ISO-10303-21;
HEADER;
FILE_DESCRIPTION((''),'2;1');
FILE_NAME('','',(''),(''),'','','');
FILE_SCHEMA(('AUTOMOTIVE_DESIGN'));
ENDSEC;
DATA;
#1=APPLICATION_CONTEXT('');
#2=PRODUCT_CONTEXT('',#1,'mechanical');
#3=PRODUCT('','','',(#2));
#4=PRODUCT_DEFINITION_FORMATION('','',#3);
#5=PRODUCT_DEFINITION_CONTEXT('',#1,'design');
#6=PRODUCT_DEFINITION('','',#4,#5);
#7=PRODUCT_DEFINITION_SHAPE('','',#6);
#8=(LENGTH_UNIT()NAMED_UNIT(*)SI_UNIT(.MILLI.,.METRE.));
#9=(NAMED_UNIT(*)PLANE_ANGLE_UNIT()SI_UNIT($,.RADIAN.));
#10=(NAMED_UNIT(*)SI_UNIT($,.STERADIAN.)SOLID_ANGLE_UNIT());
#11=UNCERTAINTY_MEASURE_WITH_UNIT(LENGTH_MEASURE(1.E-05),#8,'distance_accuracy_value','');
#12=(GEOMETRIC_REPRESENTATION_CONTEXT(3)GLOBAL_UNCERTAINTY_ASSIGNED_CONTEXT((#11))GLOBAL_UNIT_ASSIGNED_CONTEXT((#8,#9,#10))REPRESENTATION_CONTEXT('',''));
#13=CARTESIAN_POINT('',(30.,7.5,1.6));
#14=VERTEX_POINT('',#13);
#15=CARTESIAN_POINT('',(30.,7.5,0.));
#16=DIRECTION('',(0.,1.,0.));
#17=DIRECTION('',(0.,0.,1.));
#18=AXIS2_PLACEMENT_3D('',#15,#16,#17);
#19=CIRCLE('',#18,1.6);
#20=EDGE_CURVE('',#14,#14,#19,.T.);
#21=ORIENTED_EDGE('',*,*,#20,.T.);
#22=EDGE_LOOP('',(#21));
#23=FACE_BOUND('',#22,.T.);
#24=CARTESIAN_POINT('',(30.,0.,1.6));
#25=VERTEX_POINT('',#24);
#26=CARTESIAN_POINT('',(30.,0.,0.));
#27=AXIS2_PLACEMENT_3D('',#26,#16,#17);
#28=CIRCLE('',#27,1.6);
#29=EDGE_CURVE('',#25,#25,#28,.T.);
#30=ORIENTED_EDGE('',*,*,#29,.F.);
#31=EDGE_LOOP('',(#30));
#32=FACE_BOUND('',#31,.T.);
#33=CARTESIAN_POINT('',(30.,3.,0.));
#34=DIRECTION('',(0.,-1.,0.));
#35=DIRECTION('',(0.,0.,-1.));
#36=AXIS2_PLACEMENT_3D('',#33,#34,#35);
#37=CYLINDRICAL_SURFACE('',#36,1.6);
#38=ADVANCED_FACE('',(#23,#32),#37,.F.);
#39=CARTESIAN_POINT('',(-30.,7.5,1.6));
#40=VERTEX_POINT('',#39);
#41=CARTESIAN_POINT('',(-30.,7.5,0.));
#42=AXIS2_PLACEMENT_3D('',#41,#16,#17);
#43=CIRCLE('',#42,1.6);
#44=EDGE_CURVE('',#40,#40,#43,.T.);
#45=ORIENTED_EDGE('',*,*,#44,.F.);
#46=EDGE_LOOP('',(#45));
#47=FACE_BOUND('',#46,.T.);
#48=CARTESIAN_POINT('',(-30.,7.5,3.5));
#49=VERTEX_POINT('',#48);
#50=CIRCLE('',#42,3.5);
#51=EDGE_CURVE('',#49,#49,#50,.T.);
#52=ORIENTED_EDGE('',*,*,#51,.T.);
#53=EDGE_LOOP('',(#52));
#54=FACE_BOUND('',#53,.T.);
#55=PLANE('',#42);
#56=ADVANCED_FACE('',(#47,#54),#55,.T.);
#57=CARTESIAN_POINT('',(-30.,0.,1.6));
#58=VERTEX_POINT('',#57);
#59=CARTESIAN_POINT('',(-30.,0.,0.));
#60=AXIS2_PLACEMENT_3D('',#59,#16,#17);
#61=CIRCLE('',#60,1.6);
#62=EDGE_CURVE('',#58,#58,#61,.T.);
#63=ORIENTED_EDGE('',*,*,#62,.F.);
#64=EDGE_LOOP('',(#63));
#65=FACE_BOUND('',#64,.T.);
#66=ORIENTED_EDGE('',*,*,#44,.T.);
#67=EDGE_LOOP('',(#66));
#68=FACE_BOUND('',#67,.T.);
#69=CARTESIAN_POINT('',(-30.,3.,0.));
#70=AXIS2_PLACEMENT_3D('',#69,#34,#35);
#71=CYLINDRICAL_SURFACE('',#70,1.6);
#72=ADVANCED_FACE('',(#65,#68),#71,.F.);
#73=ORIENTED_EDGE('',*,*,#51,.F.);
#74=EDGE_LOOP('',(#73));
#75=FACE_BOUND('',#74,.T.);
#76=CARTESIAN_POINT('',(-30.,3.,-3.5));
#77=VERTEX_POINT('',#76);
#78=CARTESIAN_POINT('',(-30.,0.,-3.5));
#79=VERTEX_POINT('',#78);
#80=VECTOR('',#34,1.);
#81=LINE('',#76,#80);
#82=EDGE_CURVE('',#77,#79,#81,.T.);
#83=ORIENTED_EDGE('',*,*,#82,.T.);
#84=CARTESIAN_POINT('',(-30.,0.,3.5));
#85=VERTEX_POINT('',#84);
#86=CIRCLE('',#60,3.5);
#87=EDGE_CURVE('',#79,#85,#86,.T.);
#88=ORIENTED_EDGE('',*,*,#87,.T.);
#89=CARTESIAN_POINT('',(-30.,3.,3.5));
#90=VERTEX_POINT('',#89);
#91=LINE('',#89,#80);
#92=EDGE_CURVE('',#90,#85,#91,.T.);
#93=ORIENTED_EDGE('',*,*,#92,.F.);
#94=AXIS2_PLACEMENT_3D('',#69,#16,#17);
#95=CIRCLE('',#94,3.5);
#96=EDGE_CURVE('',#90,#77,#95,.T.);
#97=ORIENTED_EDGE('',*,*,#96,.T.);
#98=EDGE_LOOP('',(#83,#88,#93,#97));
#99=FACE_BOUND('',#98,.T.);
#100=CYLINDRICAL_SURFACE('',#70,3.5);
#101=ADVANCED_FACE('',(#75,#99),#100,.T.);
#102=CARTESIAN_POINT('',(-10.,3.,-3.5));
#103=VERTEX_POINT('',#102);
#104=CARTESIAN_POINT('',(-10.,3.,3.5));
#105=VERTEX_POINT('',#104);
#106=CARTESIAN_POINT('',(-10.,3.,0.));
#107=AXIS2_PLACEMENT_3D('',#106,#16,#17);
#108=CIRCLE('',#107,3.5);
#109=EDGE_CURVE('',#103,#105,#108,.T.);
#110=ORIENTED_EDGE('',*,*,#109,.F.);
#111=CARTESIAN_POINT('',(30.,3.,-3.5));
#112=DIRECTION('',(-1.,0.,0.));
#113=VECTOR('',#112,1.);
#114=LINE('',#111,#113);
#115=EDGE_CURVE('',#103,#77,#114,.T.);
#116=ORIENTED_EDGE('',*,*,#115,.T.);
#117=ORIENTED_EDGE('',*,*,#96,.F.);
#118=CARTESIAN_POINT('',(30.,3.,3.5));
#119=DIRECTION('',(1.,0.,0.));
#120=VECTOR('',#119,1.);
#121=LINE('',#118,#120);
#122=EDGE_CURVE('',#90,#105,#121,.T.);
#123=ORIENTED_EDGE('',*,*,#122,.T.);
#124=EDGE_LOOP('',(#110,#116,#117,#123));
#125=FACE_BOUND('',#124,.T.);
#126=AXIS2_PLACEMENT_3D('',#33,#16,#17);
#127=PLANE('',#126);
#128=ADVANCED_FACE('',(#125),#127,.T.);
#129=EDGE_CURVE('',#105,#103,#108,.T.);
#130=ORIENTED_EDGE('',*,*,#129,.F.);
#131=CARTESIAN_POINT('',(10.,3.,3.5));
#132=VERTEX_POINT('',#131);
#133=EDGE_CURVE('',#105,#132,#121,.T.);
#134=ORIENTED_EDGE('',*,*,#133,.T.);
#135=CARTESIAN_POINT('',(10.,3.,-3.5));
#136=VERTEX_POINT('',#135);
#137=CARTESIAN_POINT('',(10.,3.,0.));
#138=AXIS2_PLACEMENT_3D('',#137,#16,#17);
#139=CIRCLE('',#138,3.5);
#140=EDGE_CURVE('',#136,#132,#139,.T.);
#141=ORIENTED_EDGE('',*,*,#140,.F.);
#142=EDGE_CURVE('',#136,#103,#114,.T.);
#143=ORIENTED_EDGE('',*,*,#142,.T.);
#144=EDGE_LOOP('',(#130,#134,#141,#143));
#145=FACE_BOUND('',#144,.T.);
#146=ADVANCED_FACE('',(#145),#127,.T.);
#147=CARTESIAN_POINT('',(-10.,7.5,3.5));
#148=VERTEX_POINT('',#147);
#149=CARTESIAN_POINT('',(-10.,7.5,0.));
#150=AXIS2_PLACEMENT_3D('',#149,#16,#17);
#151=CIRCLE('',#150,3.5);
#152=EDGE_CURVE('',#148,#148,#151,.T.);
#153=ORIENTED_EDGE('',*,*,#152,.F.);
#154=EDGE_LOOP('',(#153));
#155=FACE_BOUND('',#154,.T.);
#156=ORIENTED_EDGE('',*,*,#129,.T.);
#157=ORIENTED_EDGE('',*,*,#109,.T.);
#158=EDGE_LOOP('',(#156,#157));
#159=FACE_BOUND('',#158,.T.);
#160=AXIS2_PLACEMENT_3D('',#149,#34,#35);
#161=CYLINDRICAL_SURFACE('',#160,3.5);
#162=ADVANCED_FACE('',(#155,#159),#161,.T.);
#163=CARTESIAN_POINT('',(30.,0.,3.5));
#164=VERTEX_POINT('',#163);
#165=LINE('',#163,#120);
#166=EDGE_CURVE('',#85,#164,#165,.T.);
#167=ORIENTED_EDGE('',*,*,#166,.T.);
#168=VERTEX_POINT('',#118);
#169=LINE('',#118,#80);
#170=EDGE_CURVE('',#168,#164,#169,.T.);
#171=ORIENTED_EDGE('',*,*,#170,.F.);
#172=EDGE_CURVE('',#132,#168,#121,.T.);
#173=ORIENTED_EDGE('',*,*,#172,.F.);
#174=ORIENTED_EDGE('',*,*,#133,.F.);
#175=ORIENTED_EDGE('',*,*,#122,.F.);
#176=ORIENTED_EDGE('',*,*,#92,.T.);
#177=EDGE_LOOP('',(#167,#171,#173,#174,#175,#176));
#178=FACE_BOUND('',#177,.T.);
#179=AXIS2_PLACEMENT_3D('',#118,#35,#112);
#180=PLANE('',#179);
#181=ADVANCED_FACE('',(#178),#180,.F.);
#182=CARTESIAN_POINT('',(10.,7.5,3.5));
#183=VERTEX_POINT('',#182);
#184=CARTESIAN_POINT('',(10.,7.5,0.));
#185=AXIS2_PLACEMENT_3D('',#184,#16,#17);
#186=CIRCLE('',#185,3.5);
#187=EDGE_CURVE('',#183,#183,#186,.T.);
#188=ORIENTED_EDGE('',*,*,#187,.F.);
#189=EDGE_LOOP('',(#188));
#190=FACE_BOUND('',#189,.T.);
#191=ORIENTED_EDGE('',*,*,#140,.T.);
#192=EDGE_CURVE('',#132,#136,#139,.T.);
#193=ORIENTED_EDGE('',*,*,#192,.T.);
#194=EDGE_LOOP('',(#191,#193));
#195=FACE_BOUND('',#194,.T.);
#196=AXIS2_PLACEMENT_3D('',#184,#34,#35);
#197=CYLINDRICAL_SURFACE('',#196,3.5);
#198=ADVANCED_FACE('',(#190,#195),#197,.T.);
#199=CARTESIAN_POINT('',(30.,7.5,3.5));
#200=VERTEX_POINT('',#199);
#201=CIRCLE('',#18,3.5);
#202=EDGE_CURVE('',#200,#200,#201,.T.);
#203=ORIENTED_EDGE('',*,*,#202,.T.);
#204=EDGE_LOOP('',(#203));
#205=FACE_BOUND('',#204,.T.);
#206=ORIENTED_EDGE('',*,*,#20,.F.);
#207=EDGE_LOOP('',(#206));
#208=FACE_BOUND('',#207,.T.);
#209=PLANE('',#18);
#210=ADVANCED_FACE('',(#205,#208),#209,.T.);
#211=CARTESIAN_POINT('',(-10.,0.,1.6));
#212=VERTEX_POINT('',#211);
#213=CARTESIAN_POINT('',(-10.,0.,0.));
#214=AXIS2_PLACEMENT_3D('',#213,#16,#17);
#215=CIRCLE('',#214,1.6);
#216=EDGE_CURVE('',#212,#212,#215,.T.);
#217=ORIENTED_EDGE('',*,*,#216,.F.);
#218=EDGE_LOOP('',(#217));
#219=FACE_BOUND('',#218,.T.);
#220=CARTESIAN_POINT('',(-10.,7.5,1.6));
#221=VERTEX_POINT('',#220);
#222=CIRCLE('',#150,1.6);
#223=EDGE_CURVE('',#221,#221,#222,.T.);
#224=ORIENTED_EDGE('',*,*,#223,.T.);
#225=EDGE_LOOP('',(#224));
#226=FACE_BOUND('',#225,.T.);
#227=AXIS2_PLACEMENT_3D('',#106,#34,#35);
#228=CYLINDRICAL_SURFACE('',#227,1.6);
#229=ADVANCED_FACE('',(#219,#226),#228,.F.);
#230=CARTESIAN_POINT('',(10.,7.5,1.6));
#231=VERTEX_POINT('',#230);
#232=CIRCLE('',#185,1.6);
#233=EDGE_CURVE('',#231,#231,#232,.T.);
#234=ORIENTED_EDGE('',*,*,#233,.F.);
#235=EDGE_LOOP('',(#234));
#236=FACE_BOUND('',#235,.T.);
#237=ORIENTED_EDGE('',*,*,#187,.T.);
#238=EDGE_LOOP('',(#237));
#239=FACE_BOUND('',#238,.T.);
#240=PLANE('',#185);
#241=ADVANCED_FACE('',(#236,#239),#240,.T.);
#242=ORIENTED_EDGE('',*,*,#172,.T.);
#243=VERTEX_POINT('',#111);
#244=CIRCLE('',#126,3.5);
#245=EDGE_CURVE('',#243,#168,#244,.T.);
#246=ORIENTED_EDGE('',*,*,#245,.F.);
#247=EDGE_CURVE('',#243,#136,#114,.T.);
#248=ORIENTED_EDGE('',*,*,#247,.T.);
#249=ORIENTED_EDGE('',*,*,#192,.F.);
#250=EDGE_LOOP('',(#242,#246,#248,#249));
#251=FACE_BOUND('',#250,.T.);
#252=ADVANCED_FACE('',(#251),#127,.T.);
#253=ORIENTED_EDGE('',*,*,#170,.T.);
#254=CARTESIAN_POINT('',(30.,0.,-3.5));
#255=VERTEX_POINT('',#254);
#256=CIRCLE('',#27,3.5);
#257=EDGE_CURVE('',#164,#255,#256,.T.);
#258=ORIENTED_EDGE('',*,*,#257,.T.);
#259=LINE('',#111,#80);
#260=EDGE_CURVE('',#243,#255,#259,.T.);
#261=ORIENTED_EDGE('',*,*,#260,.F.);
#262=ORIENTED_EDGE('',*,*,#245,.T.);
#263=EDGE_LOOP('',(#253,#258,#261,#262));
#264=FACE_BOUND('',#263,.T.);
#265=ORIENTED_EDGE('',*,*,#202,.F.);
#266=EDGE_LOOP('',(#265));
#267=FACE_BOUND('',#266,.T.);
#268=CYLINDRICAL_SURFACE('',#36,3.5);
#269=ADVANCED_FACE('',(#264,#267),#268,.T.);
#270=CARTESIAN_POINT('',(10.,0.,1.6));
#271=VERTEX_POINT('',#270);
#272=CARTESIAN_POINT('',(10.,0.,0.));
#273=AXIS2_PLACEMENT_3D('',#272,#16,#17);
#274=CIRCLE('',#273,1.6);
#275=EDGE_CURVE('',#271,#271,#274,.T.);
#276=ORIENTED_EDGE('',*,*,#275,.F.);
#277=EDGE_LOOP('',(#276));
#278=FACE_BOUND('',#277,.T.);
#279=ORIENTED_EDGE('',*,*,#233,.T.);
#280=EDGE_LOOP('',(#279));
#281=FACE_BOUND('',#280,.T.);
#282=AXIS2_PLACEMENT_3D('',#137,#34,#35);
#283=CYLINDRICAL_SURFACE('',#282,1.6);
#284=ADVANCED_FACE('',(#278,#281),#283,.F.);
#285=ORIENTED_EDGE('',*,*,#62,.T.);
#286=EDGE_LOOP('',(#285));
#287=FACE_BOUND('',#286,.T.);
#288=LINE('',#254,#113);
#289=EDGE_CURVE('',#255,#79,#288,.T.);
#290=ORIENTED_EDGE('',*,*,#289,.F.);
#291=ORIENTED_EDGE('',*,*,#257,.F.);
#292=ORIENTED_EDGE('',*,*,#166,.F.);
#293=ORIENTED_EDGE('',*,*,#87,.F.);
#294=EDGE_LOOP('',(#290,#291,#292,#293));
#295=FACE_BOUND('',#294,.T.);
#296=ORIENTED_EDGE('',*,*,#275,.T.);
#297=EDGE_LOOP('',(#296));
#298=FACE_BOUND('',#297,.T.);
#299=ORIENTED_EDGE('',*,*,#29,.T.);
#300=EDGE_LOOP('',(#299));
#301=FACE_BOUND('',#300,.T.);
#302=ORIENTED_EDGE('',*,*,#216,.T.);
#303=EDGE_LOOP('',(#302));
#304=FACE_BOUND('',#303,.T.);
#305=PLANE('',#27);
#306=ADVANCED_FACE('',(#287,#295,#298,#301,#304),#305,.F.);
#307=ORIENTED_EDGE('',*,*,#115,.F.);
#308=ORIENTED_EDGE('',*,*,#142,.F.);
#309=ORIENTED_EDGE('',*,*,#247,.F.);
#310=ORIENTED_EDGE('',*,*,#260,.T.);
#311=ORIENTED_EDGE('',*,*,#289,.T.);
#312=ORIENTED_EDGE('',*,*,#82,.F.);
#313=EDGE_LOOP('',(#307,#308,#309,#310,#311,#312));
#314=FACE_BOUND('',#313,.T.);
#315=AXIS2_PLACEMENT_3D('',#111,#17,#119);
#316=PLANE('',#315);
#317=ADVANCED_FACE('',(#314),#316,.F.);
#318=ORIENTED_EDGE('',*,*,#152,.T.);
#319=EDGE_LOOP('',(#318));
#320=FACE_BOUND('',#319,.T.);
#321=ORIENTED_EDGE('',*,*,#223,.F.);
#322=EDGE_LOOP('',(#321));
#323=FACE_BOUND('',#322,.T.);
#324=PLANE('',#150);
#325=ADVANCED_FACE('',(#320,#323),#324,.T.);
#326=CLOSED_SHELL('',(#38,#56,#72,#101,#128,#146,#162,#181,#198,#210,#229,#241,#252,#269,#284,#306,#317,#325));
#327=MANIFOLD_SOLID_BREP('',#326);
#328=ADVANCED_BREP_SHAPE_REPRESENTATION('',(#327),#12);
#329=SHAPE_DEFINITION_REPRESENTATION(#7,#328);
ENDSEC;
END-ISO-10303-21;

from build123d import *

# Parameters (mm, degrees)
SKETCH1_R           = 1.6
BOSS_EXTRUDE1_DEPTH = 3
SKETCH2_R           = 3.5
SKETCH2_R_2         = 1.6
BOSS_EXTRUDE2_DEPTH = 4.5


with BuildPart() as part:
    # Sketch1 → Boss-Extrude1 (new body)
    with BuildSketch(Plane(origin=(0, 0, 0), x_dir=(1, 0, 0), z_dir=(0, 1, 0))):
        with BuildLine():
            Line((30, -3.5), (-30, -3.5))
            ThreePointArc((-30, -3.5), (-33.5, 0), (-30, 3.5))
            Line((-30, 3.5), (30, 3.5))
            ThreePointArc((30, 3.5), (33.5, 0), (30, -3.5))
        make_face()
        with Locations(Location((-30, 0, 0), (0, 0, 270))):
            Circle(SKETCH1_R, mode=Mode.SUBTRACT)
        with Locations(Location((-10, 0, 0), (0, 0, 270))):
            Circle(SKETCH1_R, mode=Mode.SUBTRACT)
        with Locations(Location((10, 0, 0), (0, 0, 270))):
            Circle(SKETCH1_R, mode=Mode.SUBTRACT)
        with Locations(Location((30, 0, 0), (0, 0, 270))):
            Circle(SKETCH1_R, mode=Mode.SUBTRACT)
    extrude(amount=BOSS_EXTRUDE1_DEPTH)

    # Sketch2 → Boss-Extrude2 (add)
    # profile 1 of 4: a face of its own
    with BuildSketch(Plane(origin=(0, 3, 0), x_dir=(1, 0, 0), z_dir=(0, 1, 0))):
        with Locations(Location((-30, 0, 0), (0, 0, 270))):
            Circle(SKETCH2_R)
        with Locations(Location((-30, 0, 0), (0, 0, 270))):
            Circle(SKETCH2_R_2, mode=Mode.SUBTRACT)
    # profile 2 of 4: a face of its own
    with BuildSketch(Plane(origin=(0, 3, 0), x_dir=(1, 0, 0), z_dir=(0, 1, 0))):
        with Locations(Location((-10, 0, 0), (0, 0, 270))):
            Circle(SKETCH2_R)
        with Locations(Location((-10, 0, 0), (0, 0, 270))):
            Circle(SKETCH2_R_2, mode=Mode.SUBTRACT)
    # profile 3 of 4: a face of its own
    with BuildSketch(Plane(origin=(0, 3, 0), x_dir=(1, 0, 0), z_dir=(0, 1, 0))):
        with Locations(Location((10, 0, 0), (0, 0, 270))):
            Circle(SKETCH2_R)
        with Locations(Location((10, 0, 0), (0, 0, 270))):
            Circle(SKETCH2_R_2, mode=Mode.SUBTRACT)
    # profile 4 of 4: a face of its own
    with BuildSketch(Plane(origin=(0, 3, 0), x_dir=(1, 0, 0), z_dir=(0, 1, 0))):
        with Locations(Location((30, 0, 0), (0, 0, 270))):
            Circle(SKETCH2_R)
        with Locations(Location((30, 0, 0), (0, 0, 270))):
            Circle(SKETCH2_R_2, mode=Mode.SUBTRACT)
    extrude(amount=BOSS_EXTRUDE2_DEPTH)


solid = part.part
